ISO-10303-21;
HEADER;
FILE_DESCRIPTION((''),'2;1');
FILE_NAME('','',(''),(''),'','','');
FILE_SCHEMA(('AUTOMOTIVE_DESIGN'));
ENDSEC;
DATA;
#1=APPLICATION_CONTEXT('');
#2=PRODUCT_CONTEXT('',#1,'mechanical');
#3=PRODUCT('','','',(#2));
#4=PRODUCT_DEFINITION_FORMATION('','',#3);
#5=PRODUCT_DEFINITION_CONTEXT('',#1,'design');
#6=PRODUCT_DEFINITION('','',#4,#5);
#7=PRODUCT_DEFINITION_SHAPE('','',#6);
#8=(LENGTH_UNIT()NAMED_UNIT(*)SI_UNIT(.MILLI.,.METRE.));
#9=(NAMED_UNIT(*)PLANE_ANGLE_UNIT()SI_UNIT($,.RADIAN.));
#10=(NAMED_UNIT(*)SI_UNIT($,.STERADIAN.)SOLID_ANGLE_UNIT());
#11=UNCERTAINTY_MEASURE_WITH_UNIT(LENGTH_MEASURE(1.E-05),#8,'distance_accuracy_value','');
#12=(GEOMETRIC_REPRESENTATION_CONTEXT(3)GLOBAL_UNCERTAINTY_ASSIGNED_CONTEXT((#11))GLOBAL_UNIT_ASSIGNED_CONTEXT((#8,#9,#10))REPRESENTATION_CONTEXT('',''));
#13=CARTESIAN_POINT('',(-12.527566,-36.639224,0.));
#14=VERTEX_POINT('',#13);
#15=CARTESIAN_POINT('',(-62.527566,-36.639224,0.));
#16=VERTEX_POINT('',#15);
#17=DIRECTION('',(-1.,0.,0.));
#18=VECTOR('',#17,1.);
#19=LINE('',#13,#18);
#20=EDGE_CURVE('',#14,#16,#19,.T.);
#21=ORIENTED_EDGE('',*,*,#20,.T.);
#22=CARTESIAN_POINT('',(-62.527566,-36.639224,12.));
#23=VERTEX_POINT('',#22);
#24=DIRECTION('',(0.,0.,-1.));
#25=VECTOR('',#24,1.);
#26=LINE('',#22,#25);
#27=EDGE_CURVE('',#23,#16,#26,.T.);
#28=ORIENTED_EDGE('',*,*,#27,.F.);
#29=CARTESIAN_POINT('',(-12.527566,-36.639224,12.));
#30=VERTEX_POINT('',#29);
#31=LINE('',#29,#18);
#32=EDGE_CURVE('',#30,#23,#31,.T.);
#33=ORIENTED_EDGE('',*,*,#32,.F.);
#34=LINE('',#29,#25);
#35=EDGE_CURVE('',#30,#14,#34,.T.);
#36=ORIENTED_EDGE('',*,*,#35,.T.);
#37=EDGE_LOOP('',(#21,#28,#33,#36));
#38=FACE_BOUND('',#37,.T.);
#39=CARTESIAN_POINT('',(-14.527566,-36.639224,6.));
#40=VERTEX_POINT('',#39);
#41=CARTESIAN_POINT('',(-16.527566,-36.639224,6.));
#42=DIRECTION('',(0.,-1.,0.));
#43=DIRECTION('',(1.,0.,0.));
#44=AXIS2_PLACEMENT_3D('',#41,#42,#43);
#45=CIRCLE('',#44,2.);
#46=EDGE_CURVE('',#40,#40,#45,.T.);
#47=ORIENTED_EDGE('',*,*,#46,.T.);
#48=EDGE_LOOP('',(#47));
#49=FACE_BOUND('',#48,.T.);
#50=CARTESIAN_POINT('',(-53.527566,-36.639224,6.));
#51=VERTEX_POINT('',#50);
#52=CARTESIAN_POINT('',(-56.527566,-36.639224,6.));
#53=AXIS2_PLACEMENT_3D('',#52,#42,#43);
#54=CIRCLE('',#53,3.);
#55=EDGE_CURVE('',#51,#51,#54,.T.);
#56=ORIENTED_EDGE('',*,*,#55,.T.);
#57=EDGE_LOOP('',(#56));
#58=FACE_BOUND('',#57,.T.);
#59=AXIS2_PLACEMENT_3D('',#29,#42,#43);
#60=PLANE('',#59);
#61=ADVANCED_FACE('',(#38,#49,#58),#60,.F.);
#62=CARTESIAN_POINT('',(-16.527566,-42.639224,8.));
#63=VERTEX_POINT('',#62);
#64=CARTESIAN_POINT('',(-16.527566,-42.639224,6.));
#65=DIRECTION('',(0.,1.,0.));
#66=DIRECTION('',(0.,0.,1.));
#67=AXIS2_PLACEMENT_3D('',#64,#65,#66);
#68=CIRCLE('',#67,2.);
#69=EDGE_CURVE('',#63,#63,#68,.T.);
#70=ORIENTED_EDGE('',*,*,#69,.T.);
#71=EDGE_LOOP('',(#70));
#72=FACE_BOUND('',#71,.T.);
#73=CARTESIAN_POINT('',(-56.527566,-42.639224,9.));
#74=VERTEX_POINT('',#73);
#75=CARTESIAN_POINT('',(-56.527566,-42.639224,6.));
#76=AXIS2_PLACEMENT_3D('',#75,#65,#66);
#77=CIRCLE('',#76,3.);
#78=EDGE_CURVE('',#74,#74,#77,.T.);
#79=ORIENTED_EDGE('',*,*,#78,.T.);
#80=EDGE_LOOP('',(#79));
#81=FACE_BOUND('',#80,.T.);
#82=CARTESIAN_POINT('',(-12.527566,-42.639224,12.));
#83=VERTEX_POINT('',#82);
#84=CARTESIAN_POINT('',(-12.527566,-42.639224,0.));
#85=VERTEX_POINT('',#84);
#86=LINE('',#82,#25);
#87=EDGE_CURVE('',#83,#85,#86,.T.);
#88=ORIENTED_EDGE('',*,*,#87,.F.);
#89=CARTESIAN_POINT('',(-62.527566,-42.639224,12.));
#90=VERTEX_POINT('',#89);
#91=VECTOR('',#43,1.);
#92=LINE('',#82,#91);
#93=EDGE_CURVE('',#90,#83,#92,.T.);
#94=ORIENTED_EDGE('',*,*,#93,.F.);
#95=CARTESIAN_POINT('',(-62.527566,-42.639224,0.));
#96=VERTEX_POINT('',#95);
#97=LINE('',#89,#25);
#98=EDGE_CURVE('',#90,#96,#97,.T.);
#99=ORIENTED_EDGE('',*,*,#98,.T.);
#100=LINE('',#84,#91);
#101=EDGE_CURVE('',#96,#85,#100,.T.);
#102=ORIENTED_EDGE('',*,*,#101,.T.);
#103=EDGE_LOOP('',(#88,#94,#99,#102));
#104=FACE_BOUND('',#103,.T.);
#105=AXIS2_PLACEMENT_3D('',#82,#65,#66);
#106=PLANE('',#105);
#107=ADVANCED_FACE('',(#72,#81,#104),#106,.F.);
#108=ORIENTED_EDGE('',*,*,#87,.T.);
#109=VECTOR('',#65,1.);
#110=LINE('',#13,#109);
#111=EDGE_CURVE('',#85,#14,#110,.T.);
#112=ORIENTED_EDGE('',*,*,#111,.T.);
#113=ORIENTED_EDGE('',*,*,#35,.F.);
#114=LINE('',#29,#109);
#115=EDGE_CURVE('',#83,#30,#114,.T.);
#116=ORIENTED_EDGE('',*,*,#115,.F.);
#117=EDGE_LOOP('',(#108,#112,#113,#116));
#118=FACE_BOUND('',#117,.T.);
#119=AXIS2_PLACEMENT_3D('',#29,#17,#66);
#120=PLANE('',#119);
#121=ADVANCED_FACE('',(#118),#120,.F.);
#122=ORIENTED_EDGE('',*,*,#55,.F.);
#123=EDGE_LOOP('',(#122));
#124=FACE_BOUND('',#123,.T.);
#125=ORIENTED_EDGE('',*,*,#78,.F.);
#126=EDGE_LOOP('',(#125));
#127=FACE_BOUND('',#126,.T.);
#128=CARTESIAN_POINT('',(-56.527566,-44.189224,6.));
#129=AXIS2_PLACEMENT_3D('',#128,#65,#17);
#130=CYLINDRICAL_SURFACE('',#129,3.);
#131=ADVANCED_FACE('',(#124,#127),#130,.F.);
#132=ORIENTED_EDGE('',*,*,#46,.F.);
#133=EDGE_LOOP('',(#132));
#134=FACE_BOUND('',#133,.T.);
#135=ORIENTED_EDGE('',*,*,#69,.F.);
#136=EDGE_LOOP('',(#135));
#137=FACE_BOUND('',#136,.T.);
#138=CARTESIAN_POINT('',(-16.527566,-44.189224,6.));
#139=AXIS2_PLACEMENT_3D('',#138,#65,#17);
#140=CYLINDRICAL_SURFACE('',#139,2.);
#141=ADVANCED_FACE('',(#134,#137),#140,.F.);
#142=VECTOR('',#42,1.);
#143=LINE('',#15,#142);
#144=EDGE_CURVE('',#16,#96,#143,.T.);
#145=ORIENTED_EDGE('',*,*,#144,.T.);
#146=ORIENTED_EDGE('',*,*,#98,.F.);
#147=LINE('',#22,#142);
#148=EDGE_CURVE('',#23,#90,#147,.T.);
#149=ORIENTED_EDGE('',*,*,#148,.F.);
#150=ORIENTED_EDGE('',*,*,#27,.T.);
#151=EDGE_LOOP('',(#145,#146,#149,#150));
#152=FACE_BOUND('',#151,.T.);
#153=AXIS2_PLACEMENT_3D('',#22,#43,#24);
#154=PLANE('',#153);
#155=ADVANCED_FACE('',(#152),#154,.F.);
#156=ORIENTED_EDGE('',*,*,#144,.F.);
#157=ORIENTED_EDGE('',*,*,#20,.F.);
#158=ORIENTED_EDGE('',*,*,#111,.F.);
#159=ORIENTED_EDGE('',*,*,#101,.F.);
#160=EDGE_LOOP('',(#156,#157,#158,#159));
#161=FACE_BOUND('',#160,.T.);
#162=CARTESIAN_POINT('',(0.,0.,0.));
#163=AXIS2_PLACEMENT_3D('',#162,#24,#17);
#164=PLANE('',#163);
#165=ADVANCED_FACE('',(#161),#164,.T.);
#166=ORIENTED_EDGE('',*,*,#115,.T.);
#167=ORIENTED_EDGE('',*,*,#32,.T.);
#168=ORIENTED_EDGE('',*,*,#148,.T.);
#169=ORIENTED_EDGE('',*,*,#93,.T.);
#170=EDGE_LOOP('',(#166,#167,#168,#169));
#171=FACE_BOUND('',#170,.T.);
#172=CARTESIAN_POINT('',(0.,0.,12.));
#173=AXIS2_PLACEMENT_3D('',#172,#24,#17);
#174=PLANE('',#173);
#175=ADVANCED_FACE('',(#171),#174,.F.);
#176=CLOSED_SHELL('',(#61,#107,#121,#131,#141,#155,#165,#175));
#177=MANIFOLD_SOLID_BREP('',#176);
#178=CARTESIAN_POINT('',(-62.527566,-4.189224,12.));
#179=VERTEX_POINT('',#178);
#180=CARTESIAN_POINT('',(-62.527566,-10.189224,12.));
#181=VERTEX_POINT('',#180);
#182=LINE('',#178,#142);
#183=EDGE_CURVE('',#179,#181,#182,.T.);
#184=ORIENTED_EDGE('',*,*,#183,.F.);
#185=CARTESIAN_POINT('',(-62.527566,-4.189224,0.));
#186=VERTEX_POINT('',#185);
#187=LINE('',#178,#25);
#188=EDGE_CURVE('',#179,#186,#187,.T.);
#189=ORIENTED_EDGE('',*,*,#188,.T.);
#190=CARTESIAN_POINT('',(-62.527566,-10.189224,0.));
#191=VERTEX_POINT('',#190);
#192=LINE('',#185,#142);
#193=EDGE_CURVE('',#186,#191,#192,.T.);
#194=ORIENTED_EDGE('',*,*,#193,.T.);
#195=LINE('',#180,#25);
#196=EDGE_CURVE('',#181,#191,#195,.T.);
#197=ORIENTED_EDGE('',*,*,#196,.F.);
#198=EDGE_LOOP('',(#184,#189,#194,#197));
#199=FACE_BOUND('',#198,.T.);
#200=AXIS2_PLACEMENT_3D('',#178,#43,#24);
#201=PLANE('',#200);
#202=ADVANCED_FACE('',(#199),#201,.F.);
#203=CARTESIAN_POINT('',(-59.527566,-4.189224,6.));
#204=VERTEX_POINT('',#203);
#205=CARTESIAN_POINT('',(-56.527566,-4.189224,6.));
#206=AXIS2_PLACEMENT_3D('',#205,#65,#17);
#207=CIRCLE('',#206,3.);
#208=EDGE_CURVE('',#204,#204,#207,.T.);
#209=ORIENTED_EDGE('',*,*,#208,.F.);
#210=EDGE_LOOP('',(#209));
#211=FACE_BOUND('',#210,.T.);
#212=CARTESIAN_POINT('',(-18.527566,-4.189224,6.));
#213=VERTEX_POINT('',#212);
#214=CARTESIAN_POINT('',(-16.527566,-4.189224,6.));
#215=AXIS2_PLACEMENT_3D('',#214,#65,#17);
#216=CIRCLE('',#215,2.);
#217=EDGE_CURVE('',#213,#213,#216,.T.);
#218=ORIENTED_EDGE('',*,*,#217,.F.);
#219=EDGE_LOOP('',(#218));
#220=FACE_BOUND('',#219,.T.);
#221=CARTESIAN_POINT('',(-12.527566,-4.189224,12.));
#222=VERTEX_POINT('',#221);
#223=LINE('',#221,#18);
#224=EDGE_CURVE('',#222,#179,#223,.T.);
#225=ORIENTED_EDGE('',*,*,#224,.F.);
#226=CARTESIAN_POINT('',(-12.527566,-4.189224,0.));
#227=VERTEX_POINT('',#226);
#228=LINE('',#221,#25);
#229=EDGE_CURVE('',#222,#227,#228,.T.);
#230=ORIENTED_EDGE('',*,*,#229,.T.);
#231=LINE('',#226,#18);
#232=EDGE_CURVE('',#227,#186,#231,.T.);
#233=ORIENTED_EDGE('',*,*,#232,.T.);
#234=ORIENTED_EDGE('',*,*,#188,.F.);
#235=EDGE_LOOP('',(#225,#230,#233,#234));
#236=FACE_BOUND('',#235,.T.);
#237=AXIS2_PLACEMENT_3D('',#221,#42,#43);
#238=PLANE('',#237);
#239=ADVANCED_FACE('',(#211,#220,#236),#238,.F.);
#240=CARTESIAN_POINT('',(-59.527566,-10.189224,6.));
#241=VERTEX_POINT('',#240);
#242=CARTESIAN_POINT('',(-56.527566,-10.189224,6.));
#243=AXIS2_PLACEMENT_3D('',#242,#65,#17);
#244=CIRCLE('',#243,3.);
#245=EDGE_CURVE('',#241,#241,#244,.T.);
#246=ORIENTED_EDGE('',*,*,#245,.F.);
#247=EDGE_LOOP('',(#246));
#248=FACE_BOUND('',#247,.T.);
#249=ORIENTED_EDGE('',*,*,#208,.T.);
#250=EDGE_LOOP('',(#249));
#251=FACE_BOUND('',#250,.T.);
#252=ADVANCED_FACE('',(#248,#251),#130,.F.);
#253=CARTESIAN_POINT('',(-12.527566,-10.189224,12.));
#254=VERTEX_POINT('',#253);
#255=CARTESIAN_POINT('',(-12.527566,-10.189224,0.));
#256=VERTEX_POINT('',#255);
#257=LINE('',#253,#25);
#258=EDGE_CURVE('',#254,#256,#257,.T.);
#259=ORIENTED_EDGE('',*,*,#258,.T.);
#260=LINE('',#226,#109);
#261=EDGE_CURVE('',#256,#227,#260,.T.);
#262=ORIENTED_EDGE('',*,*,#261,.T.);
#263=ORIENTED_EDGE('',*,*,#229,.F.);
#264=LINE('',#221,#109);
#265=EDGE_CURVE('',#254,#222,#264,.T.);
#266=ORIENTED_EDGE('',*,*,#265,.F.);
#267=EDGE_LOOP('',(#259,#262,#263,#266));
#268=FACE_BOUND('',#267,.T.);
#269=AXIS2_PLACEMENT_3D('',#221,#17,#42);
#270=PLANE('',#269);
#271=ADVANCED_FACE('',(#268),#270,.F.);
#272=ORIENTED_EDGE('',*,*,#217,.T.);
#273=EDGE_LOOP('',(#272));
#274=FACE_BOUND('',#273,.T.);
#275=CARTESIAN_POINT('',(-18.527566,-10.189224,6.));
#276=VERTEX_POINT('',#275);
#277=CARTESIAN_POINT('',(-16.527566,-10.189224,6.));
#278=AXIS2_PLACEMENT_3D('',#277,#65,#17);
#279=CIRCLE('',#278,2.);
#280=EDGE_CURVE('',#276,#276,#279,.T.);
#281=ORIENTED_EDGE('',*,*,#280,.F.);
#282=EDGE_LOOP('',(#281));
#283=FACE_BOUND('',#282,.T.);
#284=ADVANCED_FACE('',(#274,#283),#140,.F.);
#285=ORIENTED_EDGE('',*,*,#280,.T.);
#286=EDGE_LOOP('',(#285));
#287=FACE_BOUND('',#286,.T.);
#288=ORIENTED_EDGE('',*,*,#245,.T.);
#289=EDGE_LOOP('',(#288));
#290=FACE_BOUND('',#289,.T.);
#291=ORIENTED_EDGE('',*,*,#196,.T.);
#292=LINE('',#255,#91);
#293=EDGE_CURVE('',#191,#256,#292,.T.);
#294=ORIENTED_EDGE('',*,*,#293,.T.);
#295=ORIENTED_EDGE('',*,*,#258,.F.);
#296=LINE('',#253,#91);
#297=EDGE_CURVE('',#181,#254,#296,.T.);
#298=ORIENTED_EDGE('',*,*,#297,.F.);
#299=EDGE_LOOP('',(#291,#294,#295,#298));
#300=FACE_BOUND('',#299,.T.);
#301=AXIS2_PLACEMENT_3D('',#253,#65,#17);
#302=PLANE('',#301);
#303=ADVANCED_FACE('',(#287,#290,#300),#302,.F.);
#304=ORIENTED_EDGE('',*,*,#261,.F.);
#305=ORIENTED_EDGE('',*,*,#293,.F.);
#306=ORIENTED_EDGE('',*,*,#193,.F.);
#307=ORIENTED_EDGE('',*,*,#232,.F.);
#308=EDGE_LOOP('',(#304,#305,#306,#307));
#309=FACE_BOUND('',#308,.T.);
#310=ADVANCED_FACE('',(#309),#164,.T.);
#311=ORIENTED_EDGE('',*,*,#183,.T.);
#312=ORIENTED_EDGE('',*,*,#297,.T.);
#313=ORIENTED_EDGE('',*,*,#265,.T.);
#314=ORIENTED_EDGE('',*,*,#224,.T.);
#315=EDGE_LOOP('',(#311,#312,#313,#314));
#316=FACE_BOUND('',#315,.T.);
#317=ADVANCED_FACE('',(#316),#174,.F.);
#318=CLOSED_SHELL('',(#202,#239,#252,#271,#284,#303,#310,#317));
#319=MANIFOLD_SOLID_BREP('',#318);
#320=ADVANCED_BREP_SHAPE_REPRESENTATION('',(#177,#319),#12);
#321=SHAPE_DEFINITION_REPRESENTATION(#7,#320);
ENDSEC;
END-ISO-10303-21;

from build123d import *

# Parameters (mm, degrees)
IZIM1_W                       = 50
IZIM1_H                       = 6
Y_KSEKLIK_EKSTR_ZYON1_DEPTH   = 12
Y_KSEKLIK_EKSTR_ZYON1_2_DEPTH = 12
IZIM2_R                       = 3
IZIM2_R_2                     = 2
KES_EKSTR_ZYON1_DEPTH         = 40


with BuildPart() as part:
    # Çizim1 → Yükseklik-Ekstrüzyon1 (new body)
    with BuildSketch(Plane.XY):
        with Locations((-37.52756582, -7.189224138)):
            Rectangle(IZIM1_W, IZIM1_H)
    extrude(amount=Y_KSEKLIK_EKSTR_ZYON1_DEPTH)


with BuildPart() as body_2:
    # Çizim1 → Y_kseklik-Ekstr_zyon1 2 (new body)
    with BuildSketch(Plane.XY):
        with Locations((-37.52756582, -39.639224138)):
            Rectangle(IZIM1_W, IZIM1_H)
    extrude(amount=Y_KSEKLIK_EKSTR_ZYON1_2_DEPTH)


with BuildPart() as kes_ekstr_zyon1_tool:
    # Çizim2 → Kes-Ekstrüzyon1 (new body)
    with BuildSketch(Plane(origin=(0, -4.189224138, 0), x_dir=(1, 0, 0), z_dir=(0, 1, 0))):
        with Locations(Location((-56.52756582, -6, 0), (0, 0, 270))):
            Circle(IZIM2_R)
        with Locations(Location((-16.52756582, -6, 0), (0, 0, 270))):
            Circle(IZIM2_R_2)
    extrude(amount=-KES_EKSTR_ZYON1_DEPTH)


with BuildPart() as part_1:
    add(part.part)

    # Kes-Ekstrüzyon1: cut by kes_ekstr_zyon1_tool
    add(kes_ekstr_zyon1_tool.part, mode=Mode.SUBTRACT)


with BuildPart() as body_2_1:
    add(body_2.part)

    # Kes-Ekstrüzyon1: cut by kes_ekstr_zyon1_tool
    add(kes_ekstr_zyon1_tool.part, mode=Mode.SUBTRACT)


solid = Compound([part_1.part, body_2_1.part])
